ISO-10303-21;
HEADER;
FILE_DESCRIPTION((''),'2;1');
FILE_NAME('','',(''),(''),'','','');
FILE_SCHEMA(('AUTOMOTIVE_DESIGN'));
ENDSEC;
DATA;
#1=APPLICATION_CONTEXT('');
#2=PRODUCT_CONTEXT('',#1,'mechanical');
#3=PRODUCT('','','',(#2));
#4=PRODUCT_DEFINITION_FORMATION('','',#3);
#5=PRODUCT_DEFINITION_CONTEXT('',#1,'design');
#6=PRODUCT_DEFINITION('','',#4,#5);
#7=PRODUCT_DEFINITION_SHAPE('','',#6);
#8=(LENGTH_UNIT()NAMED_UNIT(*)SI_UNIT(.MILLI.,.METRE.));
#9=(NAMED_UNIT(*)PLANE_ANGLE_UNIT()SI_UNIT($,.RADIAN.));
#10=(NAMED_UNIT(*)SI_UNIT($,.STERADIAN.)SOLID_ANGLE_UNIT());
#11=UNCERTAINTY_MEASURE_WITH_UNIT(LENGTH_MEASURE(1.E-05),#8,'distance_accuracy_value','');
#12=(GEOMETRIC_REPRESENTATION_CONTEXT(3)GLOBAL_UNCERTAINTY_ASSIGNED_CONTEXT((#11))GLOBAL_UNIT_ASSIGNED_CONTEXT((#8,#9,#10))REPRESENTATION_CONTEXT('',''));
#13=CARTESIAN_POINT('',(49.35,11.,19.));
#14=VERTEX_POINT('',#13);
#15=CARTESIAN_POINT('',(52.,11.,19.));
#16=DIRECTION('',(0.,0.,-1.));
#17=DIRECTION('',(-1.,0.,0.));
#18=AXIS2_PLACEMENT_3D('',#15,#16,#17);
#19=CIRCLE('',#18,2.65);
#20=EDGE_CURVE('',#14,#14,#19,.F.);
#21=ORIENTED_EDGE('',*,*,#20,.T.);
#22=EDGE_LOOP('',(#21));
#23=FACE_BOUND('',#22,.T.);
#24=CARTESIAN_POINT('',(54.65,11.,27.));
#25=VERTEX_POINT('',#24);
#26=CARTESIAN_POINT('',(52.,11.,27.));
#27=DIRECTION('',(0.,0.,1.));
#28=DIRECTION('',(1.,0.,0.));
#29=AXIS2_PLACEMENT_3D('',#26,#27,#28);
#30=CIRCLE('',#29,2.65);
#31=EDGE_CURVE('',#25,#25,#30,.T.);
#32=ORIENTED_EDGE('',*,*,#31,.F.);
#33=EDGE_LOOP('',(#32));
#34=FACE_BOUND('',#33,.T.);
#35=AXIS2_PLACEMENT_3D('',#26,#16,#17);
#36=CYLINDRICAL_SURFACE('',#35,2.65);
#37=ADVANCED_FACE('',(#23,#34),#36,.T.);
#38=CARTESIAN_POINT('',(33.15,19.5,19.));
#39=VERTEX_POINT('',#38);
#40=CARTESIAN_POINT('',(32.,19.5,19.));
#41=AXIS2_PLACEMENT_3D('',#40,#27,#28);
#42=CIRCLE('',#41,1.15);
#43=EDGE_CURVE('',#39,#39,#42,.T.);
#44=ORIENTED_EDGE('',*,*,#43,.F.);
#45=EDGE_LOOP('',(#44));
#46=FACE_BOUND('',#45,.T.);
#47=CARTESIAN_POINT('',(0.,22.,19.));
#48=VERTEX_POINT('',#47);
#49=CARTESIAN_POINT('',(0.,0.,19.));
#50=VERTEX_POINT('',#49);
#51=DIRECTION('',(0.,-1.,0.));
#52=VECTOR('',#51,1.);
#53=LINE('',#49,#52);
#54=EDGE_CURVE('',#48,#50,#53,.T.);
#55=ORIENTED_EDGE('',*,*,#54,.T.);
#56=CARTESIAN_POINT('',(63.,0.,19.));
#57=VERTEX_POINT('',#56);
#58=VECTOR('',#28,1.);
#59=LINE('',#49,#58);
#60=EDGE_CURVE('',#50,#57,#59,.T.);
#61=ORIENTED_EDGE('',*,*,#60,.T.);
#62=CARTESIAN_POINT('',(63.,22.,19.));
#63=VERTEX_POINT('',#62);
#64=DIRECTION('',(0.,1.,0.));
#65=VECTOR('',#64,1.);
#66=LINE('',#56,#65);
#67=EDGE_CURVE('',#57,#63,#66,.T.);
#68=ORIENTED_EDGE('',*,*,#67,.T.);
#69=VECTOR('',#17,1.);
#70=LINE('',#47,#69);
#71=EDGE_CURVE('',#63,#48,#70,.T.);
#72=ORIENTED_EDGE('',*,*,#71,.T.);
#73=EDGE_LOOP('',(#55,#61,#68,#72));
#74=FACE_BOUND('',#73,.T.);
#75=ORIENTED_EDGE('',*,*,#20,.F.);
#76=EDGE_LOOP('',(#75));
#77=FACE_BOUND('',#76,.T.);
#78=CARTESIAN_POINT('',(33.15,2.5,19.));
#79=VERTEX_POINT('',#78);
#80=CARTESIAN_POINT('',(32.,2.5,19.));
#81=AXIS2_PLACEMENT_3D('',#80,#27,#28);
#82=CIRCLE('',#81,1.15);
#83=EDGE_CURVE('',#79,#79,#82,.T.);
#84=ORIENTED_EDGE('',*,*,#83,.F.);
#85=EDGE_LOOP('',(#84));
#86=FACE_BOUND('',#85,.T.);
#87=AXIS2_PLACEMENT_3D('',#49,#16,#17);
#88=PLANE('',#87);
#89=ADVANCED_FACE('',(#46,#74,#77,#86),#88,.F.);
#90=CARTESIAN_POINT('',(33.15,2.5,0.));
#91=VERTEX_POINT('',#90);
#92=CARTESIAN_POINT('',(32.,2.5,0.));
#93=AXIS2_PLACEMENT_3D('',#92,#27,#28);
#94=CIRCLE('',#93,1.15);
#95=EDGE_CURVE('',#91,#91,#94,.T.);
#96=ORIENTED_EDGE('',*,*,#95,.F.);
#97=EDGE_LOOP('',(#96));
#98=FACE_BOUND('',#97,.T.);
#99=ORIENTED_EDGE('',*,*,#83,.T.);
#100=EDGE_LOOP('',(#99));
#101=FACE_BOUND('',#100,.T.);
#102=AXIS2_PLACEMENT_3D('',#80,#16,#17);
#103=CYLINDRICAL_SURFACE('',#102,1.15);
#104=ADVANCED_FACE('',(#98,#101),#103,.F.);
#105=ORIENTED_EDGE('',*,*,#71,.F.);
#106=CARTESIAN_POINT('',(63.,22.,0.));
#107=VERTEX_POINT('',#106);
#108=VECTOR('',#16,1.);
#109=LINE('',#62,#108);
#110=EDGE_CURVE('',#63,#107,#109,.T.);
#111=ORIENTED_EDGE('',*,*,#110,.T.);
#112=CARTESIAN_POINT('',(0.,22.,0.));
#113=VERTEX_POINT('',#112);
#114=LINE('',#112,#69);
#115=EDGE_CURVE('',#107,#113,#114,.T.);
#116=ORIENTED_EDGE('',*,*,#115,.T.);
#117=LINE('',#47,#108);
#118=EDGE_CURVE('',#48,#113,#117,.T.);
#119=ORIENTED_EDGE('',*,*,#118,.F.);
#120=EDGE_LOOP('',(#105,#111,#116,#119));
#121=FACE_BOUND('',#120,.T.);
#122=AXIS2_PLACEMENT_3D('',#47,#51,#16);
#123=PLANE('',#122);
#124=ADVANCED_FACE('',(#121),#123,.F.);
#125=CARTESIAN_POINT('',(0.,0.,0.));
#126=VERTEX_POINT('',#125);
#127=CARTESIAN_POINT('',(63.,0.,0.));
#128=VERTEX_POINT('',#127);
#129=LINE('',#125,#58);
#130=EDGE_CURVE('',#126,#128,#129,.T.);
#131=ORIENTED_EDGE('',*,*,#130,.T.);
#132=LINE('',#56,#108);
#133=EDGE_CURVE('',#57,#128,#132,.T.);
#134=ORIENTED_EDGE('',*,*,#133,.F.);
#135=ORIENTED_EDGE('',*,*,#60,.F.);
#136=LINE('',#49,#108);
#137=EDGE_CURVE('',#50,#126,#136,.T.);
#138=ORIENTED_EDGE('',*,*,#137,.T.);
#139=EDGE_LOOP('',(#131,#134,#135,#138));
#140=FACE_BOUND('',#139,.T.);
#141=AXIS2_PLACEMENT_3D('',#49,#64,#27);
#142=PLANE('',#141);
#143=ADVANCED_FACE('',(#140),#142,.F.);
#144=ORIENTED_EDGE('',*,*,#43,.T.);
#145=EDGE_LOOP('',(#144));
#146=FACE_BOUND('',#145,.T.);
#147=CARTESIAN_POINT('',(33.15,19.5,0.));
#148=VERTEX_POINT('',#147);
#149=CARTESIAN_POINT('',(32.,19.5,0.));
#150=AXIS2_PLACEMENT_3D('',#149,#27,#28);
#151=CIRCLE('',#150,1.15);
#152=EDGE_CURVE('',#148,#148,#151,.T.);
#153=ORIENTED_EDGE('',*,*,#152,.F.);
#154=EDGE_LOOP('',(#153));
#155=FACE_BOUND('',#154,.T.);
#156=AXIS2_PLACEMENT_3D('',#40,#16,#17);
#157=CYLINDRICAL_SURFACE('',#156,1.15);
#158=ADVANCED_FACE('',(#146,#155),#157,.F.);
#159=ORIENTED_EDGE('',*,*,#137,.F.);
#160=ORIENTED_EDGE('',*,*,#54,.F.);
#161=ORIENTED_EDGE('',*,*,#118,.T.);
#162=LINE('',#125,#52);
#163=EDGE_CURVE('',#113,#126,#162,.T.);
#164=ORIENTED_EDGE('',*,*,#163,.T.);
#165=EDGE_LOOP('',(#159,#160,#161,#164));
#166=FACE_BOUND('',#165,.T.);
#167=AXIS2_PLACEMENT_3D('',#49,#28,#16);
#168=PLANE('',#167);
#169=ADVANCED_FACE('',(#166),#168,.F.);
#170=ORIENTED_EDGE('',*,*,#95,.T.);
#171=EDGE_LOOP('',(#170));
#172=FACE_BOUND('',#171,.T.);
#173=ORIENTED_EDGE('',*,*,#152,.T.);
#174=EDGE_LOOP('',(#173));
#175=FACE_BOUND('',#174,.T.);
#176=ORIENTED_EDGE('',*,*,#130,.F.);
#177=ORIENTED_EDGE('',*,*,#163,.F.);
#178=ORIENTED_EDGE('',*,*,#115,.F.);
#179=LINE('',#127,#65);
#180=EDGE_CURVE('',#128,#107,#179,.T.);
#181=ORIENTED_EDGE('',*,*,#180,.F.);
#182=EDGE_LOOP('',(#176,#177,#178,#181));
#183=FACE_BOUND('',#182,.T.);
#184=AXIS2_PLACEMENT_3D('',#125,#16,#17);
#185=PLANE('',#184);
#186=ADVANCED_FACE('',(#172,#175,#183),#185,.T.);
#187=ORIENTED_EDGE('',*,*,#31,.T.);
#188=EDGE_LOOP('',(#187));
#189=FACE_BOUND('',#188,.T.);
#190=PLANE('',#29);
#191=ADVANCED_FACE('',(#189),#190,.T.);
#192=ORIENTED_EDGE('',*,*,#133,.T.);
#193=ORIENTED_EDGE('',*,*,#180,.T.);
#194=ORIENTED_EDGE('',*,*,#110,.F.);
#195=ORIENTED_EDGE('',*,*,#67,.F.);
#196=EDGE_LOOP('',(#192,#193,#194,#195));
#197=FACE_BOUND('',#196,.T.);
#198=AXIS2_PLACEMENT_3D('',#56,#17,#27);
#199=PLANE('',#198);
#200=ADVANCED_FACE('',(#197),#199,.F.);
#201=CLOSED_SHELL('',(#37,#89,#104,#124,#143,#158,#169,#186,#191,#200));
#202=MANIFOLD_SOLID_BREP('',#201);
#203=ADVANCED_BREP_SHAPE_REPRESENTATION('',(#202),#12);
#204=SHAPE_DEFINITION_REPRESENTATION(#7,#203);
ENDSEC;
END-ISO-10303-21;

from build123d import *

# Parameters (mm, degrees)
SKETCH1_W           = 63
SKETCH1_H           = 22
SKETCH1_R           = 1.15
BOSS_EXTRUDE1_DEPTH = 19
SKETCH2_R           = 2.65
BOSS_EXTRUDE2_DEPTH = 8


with BuildPart() as part:
    # Sketch1 → Boss-Extrude1 (new body)
    with BuildSketch(Plane.XY):
        with Locations((31.5, 11)):
            Rectangle(SKETCH1_W, SKETCH1_H)
        with Locations((32, 19.5)):
            Circle(SKETCH1_R, mode=Mode.SUBTRACT)
        with Locations((32, 2.5)):
            Circle(SKETCH1_R, mode=Mode.SUBTRACT)
    extrude(amount=BOSS_EXTRUDE1_DEPTH)

    # Sketch2 → Boss-Extrude2 (add)
    with BuildSketch(Plane.XY.offset(19)):
        with Locations(Location((52, 11, 0), (0, 0, 180))):
            Circle(SKETCH2_R)
    extrude(amount=BOSS_EXTRUDE2_DEPTH)


solid = part.part
